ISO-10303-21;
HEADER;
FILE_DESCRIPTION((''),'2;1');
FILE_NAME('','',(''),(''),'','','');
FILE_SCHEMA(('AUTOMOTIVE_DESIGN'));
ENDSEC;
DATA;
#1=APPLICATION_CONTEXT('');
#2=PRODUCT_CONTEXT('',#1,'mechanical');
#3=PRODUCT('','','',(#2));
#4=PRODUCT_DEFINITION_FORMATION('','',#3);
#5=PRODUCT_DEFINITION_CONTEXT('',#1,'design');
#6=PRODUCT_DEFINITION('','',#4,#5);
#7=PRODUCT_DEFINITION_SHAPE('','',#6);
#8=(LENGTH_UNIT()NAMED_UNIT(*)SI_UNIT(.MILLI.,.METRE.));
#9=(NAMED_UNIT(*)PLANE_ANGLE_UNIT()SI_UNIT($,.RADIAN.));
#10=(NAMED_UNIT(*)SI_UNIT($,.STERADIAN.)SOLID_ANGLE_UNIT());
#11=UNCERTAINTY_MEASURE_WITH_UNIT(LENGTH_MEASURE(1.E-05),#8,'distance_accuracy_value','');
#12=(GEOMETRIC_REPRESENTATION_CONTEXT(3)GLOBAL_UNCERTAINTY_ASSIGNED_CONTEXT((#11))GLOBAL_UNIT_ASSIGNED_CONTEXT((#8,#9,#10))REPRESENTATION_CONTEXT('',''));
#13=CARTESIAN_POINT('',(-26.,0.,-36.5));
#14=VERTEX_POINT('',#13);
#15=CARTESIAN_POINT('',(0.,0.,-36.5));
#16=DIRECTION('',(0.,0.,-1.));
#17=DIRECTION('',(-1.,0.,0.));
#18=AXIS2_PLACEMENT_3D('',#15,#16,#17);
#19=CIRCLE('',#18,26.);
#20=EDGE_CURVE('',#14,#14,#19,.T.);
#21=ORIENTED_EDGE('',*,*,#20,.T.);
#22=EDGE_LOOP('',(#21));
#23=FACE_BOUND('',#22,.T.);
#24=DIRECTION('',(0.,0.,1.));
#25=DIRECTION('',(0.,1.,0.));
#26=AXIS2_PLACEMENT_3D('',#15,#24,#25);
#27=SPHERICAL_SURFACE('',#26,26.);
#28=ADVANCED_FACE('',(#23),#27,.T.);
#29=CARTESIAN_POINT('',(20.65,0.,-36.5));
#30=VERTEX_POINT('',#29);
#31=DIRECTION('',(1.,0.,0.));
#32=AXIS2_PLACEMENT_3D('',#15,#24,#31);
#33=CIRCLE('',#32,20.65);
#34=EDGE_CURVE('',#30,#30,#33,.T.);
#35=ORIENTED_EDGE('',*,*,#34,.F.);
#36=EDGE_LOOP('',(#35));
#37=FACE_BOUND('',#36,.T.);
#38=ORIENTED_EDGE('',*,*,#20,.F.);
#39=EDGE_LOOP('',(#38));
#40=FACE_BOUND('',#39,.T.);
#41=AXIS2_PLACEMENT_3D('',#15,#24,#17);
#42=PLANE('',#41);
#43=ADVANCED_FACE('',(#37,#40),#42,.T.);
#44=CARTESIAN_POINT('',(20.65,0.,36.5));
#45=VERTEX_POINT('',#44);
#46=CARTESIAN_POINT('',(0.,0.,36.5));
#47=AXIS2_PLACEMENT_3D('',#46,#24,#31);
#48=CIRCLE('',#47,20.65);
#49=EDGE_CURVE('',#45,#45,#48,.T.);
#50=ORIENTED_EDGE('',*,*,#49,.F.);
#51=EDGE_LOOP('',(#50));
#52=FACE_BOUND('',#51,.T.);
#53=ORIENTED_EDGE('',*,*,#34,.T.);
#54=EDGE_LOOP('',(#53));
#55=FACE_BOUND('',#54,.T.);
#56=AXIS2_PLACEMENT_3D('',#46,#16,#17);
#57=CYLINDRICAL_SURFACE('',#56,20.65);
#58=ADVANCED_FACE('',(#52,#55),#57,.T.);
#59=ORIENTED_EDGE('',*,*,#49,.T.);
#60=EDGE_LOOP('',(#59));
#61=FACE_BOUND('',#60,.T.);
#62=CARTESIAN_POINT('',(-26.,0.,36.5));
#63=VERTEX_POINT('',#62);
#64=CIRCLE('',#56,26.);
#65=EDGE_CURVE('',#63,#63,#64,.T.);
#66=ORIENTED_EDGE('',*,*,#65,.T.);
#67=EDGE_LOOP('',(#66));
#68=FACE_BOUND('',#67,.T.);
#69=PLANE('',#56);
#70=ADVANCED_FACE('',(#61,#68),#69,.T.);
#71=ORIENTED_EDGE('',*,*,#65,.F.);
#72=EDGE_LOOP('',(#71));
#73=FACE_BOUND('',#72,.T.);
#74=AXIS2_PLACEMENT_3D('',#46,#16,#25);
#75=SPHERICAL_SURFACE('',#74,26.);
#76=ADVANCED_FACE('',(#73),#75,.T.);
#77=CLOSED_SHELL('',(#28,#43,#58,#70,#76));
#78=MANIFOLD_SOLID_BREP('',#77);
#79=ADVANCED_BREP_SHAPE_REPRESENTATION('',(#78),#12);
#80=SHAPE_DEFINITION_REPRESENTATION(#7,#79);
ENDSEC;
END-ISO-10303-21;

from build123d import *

# Parameters (mm, degrees)
SKETCH1_R           = 20.65
BOSS_EXTRUDE1_DEPTH = 36.5


with BuildPart() as part:
    # Sketch1 → Boss-Extrude1 (new, symmetric)
    with BuildSketch(Plane.XY):
        Circle(SKETCH1_R)
    extrude(amount=BOSS_EXTRUDE1_DEPTH, both=True)

    # Sketch2 → Revolve1 (revolve)
    with BuildSketch(Plane(origin=(0, 0, 0), x_dir=(0, 0, -1), z_dir=(1, 0, 0))):
        with BuildLine():
            Line((-62.5, 0), (-36.5, 0))
            Line((-36.5, 0), (-36.5, 26))
            ThreePointArc((-36.5, 26), (-54.884776311, 18.384776311), (-62.5, 0))
        make_face()
    revolve(axis=Axis((0, 0, 0), (0, 0, 1)))

    # Mirror1: part across plane


with BuildPart() as part_1:
    add(part.part)
    add(part.part.mirror(Plane.XY))


solid = part_1.part
